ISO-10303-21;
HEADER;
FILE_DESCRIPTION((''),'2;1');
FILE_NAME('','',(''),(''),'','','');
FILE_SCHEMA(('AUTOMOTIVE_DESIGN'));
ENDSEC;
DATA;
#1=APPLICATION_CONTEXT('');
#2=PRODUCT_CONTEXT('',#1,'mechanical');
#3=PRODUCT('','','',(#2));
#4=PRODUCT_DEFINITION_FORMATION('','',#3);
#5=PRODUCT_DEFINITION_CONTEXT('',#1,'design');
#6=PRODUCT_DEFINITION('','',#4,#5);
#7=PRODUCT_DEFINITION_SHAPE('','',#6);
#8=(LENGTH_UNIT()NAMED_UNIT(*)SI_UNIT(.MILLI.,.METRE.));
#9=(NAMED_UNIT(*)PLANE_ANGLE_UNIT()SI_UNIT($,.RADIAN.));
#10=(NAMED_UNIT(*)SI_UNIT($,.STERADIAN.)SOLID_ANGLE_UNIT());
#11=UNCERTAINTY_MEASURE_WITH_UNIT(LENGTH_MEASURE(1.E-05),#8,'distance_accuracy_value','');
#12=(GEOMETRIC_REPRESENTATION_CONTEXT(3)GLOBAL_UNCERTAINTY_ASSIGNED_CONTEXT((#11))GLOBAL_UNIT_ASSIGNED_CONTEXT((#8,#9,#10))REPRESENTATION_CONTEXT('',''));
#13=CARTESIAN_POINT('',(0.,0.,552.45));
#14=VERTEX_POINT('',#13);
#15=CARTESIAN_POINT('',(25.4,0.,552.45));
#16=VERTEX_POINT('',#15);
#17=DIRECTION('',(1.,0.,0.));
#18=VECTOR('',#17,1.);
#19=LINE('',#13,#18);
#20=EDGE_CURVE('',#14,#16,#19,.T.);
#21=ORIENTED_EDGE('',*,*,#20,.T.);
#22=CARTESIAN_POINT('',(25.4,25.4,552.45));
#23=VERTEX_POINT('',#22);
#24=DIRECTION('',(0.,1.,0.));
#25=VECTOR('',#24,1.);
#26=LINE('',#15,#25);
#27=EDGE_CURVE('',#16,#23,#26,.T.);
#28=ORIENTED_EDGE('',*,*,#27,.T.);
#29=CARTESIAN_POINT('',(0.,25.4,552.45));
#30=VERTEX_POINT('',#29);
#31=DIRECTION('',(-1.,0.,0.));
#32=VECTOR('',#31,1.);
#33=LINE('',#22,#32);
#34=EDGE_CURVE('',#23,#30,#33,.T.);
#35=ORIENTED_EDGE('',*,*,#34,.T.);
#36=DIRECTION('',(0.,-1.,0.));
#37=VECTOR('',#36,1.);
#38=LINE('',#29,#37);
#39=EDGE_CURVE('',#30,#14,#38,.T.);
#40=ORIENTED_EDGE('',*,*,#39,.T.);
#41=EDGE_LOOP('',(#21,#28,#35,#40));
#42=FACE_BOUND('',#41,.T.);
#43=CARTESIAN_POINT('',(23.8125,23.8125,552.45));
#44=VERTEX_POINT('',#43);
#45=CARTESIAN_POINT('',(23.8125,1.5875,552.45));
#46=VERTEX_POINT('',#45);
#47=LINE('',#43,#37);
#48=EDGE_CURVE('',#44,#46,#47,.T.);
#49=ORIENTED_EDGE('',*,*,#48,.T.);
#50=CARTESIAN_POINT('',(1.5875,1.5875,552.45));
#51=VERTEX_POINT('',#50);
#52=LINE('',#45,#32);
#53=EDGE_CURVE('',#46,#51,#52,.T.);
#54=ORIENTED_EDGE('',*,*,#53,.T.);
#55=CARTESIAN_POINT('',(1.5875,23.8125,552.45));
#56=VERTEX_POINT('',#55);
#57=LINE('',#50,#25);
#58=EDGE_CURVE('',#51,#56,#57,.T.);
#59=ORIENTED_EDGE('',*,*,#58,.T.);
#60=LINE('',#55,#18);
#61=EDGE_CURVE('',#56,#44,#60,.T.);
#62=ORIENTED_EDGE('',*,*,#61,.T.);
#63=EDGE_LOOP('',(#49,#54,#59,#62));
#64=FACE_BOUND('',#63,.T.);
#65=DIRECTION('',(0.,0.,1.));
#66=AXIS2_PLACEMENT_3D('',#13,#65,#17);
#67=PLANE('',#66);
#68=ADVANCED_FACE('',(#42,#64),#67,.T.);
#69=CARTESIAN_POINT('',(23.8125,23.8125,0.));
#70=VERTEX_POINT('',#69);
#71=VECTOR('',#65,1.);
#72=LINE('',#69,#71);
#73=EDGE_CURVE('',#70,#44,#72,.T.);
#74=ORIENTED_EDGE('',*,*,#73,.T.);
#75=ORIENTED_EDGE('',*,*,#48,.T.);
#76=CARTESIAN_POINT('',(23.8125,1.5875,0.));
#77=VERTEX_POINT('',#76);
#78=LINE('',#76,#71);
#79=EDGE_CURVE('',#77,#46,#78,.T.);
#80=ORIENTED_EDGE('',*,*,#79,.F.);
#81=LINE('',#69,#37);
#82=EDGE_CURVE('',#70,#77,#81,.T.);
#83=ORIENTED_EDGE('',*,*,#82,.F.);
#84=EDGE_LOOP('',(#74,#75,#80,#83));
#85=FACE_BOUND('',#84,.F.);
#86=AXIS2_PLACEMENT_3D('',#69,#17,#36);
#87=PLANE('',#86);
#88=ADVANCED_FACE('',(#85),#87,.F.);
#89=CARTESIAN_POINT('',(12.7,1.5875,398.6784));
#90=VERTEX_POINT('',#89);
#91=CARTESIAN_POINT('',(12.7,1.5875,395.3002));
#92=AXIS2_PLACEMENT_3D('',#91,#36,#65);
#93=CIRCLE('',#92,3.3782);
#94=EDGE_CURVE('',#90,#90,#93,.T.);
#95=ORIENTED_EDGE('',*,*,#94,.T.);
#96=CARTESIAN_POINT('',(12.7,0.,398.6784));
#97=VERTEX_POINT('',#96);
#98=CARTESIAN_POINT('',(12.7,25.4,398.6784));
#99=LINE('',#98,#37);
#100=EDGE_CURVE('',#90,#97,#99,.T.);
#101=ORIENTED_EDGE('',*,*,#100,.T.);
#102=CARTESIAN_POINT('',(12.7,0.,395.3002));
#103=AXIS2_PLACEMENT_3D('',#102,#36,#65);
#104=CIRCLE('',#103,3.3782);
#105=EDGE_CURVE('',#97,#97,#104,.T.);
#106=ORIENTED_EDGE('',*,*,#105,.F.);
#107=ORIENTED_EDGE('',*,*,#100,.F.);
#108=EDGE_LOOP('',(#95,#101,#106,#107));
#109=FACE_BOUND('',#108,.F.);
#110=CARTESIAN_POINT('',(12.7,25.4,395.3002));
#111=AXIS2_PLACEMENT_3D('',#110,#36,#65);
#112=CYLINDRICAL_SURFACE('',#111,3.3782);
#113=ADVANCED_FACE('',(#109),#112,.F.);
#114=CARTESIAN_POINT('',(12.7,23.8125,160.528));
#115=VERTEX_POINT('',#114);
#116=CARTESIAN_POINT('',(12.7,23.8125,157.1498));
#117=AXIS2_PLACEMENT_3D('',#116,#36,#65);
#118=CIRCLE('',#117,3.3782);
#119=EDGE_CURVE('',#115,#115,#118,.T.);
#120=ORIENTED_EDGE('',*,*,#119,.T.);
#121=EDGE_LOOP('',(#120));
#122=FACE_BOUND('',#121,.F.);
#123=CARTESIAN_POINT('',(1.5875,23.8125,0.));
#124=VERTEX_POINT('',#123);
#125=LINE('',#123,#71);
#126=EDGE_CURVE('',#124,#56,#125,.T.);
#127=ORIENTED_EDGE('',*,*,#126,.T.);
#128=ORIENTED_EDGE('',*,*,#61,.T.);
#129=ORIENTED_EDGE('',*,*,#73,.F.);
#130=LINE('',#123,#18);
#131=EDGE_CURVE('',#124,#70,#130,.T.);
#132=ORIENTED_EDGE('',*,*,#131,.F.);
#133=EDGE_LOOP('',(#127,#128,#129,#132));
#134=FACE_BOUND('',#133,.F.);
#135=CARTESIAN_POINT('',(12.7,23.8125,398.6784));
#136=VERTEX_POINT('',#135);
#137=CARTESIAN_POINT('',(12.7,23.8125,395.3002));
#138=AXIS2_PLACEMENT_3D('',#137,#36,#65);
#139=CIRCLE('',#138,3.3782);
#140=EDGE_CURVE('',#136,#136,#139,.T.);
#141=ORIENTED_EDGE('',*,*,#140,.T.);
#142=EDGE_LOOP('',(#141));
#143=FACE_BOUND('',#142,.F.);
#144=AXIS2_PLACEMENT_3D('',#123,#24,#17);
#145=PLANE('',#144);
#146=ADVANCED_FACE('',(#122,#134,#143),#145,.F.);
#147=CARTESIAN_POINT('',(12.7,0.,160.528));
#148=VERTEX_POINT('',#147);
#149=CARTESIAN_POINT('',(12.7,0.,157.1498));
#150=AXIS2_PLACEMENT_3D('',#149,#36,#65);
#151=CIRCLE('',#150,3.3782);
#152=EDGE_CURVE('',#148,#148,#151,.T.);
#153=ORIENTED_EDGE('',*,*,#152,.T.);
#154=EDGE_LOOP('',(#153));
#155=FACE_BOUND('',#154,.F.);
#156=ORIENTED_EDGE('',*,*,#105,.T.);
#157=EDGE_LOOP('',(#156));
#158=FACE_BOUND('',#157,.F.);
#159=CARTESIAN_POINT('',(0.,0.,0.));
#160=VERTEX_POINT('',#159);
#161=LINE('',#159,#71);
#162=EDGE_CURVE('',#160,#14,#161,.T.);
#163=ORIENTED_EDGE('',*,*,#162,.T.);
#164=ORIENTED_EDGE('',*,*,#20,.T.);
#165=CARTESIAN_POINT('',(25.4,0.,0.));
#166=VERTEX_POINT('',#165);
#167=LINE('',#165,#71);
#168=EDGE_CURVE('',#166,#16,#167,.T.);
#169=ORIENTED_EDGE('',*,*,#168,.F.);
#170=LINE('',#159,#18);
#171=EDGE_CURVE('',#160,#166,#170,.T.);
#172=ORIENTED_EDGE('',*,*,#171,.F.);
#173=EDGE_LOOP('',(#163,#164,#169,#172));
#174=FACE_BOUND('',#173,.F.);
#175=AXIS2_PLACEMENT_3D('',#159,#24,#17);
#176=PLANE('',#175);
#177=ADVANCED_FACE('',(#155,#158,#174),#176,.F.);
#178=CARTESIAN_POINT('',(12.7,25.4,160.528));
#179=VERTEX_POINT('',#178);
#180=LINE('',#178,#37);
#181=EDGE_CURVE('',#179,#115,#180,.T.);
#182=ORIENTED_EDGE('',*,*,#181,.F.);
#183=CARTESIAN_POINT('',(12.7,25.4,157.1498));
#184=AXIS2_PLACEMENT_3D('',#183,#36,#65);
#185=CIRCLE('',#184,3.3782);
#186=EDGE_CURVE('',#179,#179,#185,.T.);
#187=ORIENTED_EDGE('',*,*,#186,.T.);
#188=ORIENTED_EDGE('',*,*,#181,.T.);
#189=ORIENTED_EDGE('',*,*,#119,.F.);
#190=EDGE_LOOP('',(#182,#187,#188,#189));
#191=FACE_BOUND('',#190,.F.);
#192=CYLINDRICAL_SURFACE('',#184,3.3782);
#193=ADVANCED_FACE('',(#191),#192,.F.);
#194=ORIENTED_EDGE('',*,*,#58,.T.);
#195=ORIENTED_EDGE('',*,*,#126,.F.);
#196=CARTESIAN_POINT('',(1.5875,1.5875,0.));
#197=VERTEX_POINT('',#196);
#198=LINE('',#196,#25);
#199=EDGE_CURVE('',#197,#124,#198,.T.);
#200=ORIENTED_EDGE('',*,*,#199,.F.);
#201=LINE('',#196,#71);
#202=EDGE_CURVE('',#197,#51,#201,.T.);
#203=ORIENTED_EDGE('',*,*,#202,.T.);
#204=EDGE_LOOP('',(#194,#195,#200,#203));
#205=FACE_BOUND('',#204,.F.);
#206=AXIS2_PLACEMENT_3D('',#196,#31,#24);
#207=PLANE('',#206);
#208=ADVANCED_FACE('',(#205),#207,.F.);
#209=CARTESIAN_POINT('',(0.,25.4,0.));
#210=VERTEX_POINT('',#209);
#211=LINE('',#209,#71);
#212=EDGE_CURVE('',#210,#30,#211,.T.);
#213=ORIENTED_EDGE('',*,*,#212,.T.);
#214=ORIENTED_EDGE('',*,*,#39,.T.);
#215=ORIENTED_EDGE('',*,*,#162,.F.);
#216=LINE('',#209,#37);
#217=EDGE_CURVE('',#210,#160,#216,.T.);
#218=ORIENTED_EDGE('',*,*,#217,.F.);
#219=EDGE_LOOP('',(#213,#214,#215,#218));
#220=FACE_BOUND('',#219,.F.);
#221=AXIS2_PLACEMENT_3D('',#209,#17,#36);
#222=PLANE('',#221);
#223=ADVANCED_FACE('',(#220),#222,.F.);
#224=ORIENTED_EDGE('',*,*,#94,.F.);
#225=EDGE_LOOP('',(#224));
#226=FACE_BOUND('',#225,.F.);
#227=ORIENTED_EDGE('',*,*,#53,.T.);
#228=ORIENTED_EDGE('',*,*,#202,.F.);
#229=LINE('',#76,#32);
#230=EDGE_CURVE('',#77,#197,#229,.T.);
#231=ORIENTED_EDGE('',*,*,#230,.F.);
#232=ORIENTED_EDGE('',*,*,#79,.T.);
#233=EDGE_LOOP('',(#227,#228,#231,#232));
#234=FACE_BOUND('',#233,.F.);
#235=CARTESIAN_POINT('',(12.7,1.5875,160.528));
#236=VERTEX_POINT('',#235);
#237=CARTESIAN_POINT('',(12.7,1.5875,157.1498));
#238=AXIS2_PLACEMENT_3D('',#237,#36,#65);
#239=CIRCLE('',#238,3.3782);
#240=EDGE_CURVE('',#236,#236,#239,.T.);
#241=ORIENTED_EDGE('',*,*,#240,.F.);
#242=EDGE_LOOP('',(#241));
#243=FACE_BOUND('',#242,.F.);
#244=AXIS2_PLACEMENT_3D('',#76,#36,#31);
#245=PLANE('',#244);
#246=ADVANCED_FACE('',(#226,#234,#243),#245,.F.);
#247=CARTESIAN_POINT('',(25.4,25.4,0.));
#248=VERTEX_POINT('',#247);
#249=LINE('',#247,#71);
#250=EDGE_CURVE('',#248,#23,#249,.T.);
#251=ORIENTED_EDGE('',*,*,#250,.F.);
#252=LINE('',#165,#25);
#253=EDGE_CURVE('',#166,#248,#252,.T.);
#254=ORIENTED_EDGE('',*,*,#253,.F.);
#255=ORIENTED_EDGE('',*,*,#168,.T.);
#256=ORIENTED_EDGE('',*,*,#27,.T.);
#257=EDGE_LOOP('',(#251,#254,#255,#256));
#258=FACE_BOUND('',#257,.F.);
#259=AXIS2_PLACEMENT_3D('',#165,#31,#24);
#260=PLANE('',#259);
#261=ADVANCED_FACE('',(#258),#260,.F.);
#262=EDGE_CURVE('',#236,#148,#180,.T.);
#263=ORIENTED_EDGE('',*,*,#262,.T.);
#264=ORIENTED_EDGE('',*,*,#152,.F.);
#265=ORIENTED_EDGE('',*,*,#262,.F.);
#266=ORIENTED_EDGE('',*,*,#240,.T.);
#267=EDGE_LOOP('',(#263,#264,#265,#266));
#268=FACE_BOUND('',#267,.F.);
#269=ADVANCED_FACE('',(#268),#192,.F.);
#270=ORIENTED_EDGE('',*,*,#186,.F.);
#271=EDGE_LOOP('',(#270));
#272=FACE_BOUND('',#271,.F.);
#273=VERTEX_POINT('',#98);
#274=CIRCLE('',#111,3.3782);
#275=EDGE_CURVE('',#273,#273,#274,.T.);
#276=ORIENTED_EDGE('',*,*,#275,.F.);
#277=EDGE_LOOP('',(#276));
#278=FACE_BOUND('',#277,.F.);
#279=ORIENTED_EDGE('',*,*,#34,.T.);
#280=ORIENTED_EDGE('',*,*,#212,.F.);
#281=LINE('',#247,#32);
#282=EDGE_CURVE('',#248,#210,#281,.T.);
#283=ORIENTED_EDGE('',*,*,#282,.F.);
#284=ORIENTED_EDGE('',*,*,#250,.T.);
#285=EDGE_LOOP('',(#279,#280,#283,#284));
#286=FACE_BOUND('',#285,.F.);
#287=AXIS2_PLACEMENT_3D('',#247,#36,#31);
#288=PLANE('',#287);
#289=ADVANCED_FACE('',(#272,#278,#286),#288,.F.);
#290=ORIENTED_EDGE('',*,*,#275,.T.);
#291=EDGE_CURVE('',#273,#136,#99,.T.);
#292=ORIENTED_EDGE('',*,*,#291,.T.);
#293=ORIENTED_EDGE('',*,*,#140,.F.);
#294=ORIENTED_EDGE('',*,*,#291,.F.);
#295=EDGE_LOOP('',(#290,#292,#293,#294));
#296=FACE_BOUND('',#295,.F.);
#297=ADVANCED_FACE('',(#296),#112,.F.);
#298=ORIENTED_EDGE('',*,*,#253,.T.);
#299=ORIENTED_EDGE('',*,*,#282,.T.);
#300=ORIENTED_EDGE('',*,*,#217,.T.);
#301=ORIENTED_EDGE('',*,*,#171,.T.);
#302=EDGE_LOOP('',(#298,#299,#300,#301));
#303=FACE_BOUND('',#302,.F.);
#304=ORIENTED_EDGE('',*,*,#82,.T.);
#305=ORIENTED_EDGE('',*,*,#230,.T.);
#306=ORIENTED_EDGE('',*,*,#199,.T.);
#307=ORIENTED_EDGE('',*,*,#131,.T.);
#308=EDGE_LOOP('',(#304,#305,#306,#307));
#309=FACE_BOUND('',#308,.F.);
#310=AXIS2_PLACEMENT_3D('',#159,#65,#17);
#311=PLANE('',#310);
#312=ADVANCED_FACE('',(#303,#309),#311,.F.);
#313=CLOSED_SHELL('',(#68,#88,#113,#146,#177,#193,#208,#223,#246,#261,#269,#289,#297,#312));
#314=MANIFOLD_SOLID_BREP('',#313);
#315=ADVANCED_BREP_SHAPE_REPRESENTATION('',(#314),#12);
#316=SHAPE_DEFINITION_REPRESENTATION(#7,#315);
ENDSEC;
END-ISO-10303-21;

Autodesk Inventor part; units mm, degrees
ref_plane "YZ Plane" through (0, 0, 0) normal (1, 0, 0) x (0, 1, 0)
ref_plane "XZ Plane" through (0, 0, 0) normal (0, 1, 0) x (-1, 0, 0)
ref_plane "XY Plane" through (0, 0, 0) normal (0, 0, 1) x (1, 0, 0)
sketch "Sketch1" plane through (0, 0, 0) normal (0, 0, 1) x (1, 0, 0)
  line L0 (0, 0) -> (25.4, 0)
  line L1 (25.4, 0) -> (25.4, 25.4)
  line L2 (25.4, 25.4) -> (0, 25.4)
  line L3 (0, 25.4) -> (0, 0)
  line L4 (1.5875, 23.8125) -> (23.8125, 23.8125)
  line L5 (23.8125, 23.8125) -> (23.8125, 1.5875)
  line L6 (23.8125, 1.5875) -> (1.5875, 1.5875)
  line L7 (1.5875, 1.5875) -> (1.5875, 23.8125)
  dimension "d0" = 25.4
  dimension "d1" = 25.4
  dimension "d2" = 1.5875
extrude "Extrusion1" add sketch "Sketch1" along normal blind 552.45
sketch "Sketch2" plane through (0, 25.4, 0) normal (0, 1, 0) x (1, 0, 0)
  line L0 (25.4, 0) -> (0, 0) projected
  line L1 (25.4, 0) -> (25.4, -552.45) projected
  point P0 (12.7, -157.1498)
  point P1 (12.7, -276.225)
  point P2 (12.7, -395.3002)
  dimension "d5" = 157.1498
  dimension "d7" = 276.225
  dimension "d8" = 238.1504
  dimension "d9" = 12.7
hole "Hole1" at (12.7, 25.4, 157.1498) at (12.7, 25.4, 395.3002) direction (0, -1, 0) diameter 6.7564 end through all clearance for "Flat Head Machine Screw (82)" size "1/4" standard "Ansi Unified Screw Threads"
properties part number "FRA_008_SideCenterSupports" material "Aluminum 6061"
